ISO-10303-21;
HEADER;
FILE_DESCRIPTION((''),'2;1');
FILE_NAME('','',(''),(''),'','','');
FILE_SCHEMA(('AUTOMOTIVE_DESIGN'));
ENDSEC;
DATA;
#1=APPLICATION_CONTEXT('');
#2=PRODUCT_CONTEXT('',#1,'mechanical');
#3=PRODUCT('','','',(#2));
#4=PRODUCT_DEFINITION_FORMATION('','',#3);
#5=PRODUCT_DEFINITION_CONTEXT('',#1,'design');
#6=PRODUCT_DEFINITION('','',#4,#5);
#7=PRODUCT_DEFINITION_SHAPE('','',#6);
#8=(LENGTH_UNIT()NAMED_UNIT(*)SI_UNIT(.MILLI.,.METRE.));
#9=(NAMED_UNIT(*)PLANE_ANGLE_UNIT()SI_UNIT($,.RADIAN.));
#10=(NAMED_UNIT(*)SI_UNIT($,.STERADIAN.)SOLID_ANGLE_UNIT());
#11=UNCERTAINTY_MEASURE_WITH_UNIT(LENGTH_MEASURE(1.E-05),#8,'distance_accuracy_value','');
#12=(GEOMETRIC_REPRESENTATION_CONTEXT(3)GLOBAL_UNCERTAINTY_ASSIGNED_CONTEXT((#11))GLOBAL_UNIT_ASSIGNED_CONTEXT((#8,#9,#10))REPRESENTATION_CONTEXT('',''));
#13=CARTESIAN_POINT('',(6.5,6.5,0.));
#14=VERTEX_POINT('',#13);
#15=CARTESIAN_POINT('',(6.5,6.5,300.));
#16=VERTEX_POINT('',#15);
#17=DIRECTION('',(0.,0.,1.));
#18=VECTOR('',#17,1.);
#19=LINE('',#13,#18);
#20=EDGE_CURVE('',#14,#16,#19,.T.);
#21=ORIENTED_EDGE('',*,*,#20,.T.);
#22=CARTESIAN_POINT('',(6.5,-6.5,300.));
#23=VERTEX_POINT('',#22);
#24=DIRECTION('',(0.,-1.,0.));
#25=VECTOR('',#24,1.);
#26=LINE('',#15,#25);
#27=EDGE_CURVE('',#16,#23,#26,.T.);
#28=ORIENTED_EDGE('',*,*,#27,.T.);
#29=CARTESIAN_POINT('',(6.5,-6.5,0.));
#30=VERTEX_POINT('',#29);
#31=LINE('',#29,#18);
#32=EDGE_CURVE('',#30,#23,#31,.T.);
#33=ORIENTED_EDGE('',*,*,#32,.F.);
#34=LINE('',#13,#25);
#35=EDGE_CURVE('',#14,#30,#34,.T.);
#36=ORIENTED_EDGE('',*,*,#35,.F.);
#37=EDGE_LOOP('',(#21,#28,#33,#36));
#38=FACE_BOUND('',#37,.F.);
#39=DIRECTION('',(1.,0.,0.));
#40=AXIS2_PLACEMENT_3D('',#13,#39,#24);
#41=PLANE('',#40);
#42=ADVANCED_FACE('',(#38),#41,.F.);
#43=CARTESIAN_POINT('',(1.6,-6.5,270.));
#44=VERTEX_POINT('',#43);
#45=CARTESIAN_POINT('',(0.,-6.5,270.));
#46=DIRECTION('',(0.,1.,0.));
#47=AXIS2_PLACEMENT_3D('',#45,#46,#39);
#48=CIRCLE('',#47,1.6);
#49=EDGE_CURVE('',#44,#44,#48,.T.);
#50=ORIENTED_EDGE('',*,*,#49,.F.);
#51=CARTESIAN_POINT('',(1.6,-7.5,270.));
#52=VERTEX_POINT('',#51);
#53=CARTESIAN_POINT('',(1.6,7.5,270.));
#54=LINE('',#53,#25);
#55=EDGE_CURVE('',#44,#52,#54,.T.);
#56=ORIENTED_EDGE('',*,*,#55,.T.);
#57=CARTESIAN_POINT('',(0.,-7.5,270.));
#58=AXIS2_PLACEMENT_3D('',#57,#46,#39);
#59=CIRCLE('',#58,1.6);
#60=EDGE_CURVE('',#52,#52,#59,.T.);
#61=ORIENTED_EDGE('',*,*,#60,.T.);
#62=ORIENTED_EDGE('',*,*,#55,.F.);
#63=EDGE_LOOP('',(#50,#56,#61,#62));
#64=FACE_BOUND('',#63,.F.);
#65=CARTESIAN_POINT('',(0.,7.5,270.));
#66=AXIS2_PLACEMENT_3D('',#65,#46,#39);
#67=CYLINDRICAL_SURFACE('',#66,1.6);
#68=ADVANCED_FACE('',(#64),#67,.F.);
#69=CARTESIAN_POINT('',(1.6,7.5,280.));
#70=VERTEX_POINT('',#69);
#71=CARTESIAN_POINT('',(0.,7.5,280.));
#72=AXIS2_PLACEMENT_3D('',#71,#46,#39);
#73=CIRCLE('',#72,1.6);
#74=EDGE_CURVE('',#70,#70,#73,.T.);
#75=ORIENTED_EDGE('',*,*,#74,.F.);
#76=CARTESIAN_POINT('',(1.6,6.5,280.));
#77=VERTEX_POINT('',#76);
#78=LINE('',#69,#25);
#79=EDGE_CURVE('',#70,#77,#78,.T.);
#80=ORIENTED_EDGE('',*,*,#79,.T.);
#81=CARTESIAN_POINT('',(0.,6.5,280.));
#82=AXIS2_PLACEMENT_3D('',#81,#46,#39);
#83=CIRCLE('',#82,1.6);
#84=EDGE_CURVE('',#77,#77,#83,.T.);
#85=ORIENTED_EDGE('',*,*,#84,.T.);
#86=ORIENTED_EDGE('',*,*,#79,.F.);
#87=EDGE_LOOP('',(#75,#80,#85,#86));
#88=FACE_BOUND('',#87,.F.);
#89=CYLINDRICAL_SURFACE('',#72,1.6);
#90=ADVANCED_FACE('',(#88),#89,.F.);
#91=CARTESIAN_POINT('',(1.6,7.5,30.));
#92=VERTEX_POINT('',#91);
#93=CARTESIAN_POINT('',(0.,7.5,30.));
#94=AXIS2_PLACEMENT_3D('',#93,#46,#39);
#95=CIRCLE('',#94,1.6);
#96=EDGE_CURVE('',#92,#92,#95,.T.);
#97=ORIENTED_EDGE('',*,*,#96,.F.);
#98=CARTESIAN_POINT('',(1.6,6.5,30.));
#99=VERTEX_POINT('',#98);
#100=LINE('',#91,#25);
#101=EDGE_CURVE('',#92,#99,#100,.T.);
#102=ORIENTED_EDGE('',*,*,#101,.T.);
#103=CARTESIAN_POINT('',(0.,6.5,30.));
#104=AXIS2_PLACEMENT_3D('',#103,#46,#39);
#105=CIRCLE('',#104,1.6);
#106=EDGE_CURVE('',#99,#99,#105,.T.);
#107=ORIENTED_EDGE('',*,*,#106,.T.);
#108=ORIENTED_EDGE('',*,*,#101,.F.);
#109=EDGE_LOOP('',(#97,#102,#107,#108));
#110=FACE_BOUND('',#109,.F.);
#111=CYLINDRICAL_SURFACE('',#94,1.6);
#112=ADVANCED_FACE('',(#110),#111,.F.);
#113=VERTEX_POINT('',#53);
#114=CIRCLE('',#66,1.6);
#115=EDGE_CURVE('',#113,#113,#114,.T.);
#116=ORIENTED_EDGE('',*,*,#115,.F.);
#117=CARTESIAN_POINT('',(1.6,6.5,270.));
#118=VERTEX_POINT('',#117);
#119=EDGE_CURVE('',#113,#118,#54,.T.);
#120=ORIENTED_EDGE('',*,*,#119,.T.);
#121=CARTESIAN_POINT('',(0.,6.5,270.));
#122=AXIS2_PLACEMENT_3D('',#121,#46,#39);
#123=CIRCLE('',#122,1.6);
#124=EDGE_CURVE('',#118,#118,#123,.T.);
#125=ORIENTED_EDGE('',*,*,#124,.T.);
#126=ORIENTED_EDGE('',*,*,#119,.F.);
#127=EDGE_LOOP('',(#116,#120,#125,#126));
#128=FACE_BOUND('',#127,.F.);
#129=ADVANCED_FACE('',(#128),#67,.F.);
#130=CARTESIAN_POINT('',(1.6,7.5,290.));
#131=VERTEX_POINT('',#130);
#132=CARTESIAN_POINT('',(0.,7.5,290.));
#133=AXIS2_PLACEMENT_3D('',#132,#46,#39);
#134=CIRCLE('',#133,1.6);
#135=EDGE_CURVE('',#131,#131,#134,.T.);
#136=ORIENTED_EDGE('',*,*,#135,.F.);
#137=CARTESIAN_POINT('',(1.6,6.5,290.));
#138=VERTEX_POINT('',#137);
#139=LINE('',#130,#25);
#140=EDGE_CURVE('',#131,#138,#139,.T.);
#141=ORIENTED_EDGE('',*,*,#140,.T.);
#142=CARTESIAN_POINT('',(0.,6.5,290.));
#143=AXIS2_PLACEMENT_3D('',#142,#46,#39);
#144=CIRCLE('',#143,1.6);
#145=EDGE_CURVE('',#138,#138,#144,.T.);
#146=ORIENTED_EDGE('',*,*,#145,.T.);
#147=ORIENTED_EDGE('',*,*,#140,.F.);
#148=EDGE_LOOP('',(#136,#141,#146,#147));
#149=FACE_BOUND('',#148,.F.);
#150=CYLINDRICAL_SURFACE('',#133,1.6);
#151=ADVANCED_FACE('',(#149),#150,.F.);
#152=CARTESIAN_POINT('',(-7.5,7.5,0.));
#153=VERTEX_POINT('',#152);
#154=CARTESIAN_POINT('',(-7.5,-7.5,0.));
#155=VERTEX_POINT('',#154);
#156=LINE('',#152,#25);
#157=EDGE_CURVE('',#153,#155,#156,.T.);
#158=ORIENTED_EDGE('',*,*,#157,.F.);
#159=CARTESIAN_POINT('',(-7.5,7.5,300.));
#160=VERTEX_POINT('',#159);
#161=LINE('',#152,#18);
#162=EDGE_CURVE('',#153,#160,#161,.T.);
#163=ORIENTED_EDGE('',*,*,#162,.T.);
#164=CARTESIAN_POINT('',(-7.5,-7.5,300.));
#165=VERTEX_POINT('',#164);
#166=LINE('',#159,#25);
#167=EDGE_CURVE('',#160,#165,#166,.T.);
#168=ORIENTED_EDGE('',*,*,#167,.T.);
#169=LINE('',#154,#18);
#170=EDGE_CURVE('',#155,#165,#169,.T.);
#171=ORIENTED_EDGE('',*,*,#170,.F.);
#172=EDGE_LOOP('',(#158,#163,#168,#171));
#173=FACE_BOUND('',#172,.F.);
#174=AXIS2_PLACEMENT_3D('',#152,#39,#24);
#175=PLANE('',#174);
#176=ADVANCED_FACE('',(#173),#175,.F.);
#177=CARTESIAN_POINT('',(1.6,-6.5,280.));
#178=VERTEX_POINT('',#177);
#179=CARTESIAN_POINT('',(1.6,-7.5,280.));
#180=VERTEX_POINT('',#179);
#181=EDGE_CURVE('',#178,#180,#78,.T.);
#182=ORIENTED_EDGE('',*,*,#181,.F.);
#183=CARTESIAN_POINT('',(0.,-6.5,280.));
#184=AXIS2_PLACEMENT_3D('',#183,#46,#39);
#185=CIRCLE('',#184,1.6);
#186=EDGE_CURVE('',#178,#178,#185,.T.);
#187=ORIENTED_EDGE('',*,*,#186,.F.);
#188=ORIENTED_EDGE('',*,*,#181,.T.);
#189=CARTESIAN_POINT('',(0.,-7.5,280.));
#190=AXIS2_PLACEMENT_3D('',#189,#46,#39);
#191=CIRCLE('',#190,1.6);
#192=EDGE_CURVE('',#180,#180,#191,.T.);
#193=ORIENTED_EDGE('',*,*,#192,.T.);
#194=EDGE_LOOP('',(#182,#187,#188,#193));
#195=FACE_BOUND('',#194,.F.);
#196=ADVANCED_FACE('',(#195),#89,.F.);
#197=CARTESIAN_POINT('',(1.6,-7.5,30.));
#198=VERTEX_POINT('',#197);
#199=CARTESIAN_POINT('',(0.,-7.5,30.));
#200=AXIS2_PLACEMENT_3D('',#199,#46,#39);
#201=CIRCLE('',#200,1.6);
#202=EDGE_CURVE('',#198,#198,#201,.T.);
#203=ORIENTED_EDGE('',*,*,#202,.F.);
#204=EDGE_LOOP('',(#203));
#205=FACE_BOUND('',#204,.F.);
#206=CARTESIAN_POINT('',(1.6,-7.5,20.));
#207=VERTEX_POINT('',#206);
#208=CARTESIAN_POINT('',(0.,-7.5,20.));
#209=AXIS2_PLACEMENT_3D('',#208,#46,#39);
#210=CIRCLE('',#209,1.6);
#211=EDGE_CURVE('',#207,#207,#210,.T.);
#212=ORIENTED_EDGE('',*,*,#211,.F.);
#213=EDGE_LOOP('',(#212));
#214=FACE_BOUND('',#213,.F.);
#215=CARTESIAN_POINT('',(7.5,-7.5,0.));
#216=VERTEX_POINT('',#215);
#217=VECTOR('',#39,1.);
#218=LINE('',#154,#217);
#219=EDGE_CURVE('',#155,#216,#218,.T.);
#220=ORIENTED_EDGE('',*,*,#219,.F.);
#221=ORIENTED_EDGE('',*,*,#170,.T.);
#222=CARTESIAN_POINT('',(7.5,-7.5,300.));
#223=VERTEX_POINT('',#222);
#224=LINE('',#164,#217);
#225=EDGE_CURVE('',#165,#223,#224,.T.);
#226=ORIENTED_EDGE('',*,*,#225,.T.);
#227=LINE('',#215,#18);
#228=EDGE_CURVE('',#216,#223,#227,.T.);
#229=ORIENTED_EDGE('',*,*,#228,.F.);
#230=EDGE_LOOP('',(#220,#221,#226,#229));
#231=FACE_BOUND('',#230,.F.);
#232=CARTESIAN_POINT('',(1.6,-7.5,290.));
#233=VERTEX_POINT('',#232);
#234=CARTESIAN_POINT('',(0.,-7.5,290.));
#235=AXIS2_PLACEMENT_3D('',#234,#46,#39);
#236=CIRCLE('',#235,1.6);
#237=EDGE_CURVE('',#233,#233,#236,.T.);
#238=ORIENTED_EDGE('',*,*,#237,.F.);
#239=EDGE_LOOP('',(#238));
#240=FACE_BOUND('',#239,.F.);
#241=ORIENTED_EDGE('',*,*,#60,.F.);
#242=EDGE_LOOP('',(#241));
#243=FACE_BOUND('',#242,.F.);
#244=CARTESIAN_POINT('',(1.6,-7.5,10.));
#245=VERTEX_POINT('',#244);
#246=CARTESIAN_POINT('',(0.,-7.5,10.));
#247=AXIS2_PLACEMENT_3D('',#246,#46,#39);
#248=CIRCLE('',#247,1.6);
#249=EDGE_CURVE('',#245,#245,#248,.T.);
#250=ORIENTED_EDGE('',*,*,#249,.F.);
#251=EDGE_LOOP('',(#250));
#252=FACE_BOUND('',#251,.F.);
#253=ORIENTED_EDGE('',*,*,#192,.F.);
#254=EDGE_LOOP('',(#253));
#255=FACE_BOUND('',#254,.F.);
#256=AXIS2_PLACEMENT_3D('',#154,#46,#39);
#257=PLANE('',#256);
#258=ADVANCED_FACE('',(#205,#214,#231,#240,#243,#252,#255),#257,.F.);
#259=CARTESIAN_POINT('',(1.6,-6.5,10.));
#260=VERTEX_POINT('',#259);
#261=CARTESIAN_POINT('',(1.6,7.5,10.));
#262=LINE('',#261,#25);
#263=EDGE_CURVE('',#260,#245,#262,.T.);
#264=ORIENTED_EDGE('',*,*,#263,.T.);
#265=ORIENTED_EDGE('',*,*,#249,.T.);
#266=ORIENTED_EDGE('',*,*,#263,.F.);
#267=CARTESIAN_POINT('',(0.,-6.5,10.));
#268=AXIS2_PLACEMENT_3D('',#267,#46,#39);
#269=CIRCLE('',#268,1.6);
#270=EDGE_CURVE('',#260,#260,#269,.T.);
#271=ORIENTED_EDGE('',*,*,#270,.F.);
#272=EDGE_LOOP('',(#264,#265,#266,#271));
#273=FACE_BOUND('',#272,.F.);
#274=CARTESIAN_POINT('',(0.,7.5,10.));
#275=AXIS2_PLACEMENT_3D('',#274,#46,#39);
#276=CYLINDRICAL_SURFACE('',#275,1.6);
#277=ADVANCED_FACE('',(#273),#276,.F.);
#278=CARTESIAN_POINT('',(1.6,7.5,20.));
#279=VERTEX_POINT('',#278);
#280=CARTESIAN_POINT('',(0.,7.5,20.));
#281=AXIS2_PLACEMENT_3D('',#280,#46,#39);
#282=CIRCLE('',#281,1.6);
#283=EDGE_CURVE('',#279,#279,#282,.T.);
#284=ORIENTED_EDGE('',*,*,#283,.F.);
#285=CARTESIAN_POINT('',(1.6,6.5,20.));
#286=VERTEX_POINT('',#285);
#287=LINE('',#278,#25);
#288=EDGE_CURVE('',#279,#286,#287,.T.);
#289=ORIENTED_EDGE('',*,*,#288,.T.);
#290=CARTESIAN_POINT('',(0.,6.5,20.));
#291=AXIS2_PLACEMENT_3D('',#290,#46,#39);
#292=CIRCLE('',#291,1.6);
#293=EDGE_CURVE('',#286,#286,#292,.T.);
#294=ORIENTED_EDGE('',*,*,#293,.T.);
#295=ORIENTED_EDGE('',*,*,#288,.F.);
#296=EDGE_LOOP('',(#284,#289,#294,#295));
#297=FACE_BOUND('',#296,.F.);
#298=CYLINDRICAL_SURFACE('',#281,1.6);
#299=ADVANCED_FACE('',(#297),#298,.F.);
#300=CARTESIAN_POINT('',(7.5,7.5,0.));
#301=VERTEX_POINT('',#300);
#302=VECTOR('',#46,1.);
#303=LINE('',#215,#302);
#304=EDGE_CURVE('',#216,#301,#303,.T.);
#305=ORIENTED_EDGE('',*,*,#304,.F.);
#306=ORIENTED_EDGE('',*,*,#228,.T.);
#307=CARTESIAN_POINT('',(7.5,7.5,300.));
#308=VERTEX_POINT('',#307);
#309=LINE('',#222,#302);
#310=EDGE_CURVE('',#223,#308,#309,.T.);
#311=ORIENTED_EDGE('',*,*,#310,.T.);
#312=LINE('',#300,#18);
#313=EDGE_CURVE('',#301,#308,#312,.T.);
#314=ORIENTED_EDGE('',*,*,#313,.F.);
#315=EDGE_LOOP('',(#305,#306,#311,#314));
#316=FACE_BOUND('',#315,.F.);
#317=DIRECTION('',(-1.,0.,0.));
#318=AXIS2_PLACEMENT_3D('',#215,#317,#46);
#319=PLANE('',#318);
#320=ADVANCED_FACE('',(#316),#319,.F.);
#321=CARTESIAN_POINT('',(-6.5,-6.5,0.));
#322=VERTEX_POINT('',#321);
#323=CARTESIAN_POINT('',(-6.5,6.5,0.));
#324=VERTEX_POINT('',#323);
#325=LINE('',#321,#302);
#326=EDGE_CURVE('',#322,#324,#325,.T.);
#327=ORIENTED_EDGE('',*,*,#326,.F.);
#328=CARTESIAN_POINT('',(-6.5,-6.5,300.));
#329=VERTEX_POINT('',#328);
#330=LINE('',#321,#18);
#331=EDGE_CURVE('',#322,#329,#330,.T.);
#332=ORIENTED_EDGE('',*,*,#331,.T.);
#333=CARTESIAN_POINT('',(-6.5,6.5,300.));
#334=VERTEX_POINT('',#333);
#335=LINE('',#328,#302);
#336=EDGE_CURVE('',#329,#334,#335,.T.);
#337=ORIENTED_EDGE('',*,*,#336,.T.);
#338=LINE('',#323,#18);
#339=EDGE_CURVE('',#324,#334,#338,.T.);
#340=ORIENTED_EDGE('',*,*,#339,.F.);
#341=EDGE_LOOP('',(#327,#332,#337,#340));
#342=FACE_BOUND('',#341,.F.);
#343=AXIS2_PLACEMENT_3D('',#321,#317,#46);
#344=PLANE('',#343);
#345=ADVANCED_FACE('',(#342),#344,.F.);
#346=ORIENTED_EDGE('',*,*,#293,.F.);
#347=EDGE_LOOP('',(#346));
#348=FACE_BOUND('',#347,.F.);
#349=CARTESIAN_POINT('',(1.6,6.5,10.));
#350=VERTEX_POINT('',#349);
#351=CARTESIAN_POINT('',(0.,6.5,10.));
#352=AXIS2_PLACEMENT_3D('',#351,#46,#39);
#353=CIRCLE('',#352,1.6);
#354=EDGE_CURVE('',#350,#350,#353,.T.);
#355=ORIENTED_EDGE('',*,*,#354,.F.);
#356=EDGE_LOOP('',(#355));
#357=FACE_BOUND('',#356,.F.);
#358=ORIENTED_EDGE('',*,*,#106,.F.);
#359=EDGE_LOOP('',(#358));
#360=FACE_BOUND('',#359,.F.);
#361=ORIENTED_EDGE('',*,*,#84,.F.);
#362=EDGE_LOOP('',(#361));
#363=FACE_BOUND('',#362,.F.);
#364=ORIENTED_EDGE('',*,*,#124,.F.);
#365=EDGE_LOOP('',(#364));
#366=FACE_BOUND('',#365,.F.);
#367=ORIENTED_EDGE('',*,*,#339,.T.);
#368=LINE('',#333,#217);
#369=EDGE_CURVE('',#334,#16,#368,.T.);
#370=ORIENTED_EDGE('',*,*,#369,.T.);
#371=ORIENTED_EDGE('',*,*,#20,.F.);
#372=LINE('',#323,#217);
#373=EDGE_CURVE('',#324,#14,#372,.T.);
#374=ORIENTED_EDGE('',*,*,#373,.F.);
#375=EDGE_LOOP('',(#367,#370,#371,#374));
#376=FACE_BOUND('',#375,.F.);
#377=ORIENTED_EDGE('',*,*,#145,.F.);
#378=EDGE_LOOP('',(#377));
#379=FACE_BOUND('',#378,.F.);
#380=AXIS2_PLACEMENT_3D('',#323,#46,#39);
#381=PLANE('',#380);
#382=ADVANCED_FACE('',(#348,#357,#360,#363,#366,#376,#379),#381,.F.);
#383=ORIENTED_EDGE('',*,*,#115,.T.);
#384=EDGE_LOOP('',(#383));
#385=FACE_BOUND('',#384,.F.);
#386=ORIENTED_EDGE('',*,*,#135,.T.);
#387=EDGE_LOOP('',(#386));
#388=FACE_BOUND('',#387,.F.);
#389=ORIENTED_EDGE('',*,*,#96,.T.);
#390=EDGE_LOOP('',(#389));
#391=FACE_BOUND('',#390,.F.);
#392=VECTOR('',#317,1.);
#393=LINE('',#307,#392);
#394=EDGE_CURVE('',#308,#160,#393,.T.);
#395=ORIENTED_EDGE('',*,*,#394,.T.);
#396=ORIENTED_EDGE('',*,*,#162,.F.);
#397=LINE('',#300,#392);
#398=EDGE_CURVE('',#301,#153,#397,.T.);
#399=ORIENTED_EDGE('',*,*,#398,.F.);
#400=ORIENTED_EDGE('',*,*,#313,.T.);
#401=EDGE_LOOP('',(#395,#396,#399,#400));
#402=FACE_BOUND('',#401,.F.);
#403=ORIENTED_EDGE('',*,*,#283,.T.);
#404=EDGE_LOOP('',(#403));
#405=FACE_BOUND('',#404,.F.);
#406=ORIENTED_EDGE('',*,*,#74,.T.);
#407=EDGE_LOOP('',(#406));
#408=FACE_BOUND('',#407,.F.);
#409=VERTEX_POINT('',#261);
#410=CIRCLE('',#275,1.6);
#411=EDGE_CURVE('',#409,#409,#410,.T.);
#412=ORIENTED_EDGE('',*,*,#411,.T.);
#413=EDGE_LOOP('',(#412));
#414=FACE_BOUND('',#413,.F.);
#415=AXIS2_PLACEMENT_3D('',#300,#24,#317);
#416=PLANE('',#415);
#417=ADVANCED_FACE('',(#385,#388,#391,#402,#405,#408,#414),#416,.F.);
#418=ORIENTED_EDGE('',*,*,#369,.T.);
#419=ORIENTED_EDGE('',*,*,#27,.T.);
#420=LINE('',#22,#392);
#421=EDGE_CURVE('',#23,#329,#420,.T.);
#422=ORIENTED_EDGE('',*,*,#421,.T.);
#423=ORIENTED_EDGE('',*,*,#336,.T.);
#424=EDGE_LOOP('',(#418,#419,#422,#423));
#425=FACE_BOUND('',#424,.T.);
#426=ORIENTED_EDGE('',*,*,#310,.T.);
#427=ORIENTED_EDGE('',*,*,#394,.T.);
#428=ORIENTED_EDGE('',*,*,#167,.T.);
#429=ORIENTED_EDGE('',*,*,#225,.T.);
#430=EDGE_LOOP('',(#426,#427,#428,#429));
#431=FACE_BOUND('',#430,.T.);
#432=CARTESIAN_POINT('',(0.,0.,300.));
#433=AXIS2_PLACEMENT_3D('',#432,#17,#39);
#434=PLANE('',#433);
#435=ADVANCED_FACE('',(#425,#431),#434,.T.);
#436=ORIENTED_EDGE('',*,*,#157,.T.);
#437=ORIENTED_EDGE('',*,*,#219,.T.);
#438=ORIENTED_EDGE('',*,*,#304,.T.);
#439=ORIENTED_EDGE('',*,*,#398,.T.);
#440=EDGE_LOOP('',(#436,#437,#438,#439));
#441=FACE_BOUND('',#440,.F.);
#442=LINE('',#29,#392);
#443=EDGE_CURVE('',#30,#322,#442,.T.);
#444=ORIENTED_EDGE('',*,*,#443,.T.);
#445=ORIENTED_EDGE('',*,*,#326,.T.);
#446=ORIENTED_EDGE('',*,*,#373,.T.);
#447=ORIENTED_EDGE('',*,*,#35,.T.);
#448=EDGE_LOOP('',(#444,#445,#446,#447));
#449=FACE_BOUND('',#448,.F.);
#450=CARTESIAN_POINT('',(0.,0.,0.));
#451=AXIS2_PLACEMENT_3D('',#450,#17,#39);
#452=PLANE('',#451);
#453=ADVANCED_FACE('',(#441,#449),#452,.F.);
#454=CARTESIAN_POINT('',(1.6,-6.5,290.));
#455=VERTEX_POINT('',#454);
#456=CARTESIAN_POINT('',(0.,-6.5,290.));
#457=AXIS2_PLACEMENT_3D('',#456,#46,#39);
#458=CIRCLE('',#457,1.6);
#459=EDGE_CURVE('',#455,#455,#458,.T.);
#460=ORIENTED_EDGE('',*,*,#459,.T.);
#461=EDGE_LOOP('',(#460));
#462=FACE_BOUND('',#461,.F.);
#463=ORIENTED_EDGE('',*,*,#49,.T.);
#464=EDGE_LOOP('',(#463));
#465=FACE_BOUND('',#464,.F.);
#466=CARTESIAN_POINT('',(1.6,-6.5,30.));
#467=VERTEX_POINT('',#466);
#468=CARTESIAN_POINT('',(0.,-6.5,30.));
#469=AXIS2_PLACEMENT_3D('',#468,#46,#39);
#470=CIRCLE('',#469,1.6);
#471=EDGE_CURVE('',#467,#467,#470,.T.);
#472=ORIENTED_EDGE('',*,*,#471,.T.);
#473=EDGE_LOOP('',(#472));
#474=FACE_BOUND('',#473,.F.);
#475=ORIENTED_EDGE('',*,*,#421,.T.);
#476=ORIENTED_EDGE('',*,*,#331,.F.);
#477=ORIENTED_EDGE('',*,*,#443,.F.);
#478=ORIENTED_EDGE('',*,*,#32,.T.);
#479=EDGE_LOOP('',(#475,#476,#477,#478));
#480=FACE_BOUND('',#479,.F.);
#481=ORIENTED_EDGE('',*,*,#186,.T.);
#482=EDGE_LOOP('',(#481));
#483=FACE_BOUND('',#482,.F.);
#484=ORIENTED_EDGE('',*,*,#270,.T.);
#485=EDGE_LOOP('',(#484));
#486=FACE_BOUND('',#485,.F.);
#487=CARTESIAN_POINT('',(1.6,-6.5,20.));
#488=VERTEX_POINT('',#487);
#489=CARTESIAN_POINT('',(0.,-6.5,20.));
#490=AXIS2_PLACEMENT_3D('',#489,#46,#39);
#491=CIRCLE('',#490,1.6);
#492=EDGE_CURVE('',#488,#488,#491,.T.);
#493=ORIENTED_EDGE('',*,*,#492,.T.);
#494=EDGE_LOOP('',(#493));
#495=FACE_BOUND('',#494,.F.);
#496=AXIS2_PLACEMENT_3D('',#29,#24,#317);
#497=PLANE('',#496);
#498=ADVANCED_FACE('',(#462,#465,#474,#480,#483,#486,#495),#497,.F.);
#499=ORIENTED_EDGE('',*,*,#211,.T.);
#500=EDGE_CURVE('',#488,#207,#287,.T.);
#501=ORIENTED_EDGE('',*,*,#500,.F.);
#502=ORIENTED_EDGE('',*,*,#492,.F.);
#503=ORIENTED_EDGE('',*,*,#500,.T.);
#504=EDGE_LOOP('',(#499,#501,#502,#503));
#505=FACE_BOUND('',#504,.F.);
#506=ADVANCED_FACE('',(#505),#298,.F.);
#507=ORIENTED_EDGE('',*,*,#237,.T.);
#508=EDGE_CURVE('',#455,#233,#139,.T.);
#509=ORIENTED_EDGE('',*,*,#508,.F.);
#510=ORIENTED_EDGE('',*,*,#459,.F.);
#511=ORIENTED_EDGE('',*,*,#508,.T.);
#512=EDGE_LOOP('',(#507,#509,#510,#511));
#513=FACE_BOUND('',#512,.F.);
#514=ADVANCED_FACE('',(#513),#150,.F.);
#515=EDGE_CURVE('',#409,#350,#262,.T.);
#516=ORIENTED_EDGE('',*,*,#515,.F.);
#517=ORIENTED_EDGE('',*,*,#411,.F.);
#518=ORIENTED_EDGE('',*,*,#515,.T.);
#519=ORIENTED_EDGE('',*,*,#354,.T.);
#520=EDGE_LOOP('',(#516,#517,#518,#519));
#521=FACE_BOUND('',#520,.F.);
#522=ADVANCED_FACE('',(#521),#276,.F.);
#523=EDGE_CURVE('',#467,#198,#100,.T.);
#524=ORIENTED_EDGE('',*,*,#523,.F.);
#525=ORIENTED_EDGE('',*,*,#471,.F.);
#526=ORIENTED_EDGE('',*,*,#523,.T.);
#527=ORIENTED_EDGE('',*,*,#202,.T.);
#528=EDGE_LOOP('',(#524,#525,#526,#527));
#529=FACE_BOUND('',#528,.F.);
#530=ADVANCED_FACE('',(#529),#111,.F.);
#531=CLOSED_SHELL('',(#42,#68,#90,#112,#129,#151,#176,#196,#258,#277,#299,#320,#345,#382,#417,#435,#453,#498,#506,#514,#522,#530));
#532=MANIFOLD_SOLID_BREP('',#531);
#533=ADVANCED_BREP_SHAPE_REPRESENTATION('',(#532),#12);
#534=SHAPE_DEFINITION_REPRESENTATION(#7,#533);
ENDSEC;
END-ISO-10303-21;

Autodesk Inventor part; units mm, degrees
ref_plane "YZ Plane" through (0, 0, 0) normal (1, 0, 0) x (0, 1, 0)
ref_plane "XZ Plane" through (0, 0, 0) normal (0, 1, 0) x (-1, 0, 0)
ref_plane "XY Plane" through (0, 0, 0) normal (0, 0, 1) x (1, 0, 0)
sketch "スケッチ1" plane through (0, 0, 0) normal (0, 0, 1) x (1, 0, 0)
  line L0 (7.5, 7.5) -> (-7.5, 7.5)
  line L1 (-7.5, 7.5) -> (-7.5, -7.5)
  line L2 (-7.5, -7.5) -> (7.5, -7.5)
  line L3 (7.5, -7.5) -> (7.5, 7.5)
  line L4 (7.5, 7.5) -> (-7.5, -7.5) construction
  line L5 (-7.5, 7.5) -> (7.5, -7.5) construction
  line L6 (-6.5, 6.5) -> (6.5, 6.5)
  line L7 (6.5, 6.5) -> (6.5, -6.5)
  line L8 (6.5, -6.5) -> (-6.5, -6.5)
  line L9 (-6.5, -6.5) -> (-6.5, 6.5)
  point P0 (0, 0)
  dimension "d0" = 15
  dimension "d1" = 15
  dimension "d2" = 1
extrude "押し出し1" add sketch "スケッチ1" along normal blind 300
sketch "スケッチ2" plane through (-7.5, 7.5, 0) normal (0, 1, 0) x (1, 0, 0)
  circle A0 centre (7.5, -10) radius 1.6
  circle A1 centre (7.5, -20) radius 1.6
  circle A2 centre (7.5, -30) radius 1.6
  circle A3 centre (7.5, -290) radius 1.6
  circle A4 centre (7.5, -280) radius 1.6
  circle A5 centre (7.5, -270) radius 1.6
  line L0 (15, -300) -> (0, -300) projected
  line L1 (15, 0) -> (0, 0) projected
  point P0 (7.5, 0)
  point P1 (7.5, 0)
  dimension "d5" = 3.2
  dimension "d6" = 3.2
  dimension "d7" = 3.2
  dimension "d8" = 3.2
  dimension "d9" = 3.2
  dimension "d10" = 3.2
  dimension "d11" = 10
  dimension "d12" = 10
  dimension "d13" = 10
  dimension "d14" = 10
  dimension "d15" = 10
  dimension "d16" = 10
extrude "押し出し2" cut sketch "スケッチ2" against normal through all
properties part number "オムニ_角柱9" material "アルミニウム 6061"
